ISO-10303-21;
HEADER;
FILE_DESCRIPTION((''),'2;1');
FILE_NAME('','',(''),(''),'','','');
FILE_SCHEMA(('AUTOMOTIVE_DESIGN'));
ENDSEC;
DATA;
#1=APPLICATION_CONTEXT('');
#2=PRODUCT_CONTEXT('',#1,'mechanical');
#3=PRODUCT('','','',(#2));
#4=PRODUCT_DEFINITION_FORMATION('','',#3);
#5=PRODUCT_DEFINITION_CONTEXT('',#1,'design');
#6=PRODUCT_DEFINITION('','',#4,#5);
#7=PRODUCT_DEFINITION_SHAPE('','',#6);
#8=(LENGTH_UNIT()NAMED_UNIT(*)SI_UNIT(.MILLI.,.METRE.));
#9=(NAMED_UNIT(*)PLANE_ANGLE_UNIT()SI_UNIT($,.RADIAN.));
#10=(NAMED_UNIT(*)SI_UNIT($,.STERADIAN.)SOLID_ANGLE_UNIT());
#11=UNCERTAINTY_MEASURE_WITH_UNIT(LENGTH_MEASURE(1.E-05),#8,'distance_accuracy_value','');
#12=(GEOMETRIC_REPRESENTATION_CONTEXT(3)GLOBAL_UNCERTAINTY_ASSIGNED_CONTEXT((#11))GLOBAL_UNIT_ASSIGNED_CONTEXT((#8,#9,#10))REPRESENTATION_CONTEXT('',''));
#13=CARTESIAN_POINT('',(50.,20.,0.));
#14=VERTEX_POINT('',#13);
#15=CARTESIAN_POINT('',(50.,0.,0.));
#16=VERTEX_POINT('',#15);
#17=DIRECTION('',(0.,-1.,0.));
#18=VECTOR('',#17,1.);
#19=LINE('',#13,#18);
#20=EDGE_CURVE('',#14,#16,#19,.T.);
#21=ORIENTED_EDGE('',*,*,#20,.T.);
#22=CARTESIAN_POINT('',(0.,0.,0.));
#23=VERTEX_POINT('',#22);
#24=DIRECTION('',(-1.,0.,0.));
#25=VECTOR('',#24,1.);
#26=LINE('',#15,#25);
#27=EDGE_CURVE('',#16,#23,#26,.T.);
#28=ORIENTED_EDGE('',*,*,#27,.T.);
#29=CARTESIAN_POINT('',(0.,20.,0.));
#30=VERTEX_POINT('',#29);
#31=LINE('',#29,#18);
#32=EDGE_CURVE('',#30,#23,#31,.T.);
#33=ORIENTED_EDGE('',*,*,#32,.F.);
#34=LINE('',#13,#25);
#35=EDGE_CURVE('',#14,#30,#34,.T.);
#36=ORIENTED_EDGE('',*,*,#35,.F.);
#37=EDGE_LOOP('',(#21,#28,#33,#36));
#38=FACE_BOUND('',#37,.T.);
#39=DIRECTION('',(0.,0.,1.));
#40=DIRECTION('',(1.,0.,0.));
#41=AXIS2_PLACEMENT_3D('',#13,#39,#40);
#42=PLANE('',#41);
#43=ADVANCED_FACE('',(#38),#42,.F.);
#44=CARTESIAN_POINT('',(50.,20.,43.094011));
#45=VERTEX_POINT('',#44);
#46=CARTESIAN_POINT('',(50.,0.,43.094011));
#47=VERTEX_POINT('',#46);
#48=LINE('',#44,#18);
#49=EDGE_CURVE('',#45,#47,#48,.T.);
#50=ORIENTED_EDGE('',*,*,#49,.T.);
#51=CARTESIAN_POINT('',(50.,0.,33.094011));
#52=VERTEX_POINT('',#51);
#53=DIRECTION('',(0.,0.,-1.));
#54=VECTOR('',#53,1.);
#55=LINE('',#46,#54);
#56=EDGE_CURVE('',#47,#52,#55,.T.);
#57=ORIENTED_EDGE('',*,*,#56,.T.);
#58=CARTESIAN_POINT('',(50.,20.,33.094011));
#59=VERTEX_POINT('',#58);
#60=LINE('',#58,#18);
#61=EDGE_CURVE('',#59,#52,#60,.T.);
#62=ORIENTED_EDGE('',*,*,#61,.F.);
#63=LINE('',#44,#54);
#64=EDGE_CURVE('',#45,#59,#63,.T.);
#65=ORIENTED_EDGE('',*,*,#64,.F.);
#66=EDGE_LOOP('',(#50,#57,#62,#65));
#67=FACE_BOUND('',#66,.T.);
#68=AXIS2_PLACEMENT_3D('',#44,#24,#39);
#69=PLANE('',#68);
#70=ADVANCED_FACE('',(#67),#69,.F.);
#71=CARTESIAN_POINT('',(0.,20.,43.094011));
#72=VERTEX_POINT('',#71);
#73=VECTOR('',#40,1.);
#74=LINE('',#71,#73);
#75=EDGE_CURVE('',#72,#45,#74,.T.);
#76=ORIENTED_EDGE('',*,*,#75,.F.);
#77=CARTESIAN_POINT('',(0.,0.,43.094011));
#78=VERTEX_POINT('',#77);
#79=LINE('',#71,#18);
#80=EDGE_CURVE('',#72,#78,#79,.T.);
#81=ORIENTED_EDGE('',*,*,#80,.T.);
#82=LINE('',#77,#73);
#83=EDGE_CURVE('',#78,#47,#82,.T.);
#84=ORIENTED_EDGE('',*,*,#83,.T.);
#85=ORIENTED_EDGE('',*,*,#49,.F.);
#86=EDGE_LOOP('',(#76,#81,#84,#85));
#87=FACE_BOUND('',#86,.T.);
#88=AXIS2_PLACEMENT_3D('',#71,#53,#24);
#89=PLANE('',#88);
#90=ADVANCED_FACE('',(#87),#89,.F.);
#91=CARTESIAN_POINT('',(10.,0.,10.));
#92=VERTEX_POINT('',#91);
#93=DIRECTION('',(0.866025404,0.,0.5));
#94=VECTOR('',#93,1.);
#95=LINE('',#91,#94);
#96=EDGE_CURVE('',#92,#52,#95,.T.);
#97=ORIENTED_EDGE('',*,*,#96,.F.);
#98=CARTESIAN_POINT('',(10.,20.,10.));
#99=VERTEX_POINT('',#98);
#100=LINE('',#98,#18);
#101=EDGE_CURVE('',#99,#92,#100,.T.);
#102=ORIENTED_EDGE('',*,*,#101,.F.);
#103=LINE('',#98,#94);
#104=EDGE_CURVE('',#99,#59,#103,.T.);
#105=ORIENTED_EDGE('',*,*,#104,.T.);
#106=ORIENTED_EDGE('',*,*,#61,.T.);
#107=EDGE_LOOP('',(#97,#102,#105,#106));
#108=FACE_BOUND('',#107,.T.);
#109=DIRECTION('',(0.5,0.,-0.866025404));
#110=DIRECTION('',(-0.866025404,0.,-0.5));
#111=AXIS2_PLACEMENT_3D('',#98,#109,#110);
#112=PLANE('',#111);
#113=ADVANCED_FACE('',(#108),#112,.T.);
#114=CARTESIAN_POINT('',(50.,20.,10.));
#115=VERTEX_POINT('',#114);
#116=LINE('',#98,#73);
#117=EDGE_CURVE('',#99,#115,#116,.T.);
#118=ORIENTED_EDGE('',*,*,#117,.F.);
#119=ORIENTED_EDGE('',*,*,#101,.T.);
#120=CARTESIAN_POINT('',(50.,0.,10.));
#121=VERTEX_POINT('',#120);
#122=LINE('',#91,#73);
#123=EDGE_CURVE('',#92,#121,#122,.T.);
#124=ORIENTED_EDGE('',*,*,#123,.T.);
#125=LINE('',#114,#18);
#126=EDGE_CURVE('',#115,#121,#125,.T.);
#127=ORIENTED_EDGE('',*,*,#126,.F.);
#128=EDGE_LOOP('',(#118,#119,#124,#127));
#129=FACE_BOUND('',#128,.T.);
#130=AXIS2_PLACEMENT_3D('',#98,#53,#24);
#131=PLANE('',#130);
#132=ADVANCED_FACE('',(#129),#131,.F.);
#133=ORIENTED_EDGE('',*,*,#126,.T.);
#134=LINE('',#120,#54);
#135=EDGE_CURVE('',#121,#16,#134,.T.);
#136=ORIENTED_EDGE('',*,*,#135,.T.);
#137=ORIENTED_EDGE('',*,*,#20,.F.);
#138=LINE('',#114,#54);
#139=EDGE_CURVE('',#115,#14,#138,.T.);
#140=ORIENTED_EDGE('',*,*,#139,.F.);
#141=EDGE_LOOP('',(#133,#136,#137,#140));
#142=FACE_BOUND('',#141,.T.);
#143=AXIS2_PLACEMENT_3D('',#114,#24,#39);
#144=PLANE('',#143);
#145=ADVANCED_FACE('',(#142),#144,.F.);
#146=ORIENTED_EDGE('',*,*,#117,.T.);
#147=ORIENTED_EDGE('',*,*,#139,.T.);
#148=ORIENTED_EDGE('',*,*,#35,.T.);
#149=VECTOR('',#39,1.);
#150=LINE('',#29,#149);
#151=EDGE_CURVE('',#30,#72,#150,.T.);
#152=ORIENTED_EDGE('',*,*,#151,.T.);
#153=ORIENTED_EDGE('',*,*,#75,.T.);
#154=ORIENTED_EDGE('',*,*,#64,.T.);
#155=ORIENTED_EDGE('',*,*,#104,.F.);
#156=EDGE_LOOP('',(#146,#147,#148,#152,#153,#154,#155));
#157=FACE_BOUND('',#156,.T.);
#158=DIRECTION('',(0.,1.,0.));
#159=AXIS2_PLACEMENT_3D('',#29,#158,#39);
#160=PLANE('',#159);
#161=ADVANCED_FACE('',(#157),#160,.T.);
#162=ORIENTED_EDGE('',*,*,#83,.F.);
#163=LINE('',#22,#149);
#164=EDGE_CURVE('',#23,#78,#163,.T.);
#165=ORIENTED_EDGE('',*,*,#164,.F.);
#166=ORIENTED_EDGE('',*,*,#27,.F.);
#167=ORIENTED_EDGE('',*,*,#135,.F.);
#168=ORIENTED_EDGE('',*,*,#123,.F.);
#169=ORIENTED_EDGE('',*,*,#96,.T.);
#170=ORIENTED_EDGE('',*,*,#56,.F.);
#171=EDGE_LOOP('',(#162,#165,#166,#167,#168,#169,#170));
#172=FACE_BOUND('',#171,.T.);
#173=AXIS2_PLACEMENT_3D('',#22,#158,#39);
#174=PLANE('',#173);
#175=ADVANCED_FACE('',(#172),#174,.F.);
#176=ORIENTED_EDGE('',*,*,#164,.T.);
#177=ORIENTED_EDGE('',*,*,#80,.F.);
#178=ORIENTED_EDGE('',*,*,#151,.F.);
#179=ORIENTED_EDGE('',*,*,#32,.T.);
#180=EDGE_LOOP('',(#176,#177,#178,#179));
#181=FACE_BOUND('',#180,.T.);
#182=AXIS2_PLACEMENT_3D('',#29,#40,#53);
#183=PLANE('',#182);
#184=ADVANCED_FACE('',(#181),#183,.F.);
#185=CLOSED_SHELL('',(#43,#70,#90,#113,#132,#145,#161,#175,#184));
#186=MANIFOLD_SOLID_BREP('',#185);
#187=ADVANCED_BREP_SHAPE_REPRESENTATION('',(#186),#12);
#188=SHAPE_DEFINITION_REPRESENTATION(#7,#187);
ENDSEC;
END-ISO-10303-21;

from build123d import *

# Parameters (mm, degrees)
BOSS_EXTRUDE1_DEPTH = 20


with BuildPart() as part:
    # Sketch1 → Boss-Extrude1 (new body)
    with BuildSketch(Plane(origin=(0, 0, 0), x_dir=(1, 0, 0), z_dir=(0, 1, 0))):
        Polygon((0, 0), (0, -43.094010768), (50, -43.094010768), (50, -33.094010768), (10, -10), (50, -10), (50, 0), align=None)
    extrude(amount=BOSS_EXTRUDE1_DEPTH)


solid = part.part
